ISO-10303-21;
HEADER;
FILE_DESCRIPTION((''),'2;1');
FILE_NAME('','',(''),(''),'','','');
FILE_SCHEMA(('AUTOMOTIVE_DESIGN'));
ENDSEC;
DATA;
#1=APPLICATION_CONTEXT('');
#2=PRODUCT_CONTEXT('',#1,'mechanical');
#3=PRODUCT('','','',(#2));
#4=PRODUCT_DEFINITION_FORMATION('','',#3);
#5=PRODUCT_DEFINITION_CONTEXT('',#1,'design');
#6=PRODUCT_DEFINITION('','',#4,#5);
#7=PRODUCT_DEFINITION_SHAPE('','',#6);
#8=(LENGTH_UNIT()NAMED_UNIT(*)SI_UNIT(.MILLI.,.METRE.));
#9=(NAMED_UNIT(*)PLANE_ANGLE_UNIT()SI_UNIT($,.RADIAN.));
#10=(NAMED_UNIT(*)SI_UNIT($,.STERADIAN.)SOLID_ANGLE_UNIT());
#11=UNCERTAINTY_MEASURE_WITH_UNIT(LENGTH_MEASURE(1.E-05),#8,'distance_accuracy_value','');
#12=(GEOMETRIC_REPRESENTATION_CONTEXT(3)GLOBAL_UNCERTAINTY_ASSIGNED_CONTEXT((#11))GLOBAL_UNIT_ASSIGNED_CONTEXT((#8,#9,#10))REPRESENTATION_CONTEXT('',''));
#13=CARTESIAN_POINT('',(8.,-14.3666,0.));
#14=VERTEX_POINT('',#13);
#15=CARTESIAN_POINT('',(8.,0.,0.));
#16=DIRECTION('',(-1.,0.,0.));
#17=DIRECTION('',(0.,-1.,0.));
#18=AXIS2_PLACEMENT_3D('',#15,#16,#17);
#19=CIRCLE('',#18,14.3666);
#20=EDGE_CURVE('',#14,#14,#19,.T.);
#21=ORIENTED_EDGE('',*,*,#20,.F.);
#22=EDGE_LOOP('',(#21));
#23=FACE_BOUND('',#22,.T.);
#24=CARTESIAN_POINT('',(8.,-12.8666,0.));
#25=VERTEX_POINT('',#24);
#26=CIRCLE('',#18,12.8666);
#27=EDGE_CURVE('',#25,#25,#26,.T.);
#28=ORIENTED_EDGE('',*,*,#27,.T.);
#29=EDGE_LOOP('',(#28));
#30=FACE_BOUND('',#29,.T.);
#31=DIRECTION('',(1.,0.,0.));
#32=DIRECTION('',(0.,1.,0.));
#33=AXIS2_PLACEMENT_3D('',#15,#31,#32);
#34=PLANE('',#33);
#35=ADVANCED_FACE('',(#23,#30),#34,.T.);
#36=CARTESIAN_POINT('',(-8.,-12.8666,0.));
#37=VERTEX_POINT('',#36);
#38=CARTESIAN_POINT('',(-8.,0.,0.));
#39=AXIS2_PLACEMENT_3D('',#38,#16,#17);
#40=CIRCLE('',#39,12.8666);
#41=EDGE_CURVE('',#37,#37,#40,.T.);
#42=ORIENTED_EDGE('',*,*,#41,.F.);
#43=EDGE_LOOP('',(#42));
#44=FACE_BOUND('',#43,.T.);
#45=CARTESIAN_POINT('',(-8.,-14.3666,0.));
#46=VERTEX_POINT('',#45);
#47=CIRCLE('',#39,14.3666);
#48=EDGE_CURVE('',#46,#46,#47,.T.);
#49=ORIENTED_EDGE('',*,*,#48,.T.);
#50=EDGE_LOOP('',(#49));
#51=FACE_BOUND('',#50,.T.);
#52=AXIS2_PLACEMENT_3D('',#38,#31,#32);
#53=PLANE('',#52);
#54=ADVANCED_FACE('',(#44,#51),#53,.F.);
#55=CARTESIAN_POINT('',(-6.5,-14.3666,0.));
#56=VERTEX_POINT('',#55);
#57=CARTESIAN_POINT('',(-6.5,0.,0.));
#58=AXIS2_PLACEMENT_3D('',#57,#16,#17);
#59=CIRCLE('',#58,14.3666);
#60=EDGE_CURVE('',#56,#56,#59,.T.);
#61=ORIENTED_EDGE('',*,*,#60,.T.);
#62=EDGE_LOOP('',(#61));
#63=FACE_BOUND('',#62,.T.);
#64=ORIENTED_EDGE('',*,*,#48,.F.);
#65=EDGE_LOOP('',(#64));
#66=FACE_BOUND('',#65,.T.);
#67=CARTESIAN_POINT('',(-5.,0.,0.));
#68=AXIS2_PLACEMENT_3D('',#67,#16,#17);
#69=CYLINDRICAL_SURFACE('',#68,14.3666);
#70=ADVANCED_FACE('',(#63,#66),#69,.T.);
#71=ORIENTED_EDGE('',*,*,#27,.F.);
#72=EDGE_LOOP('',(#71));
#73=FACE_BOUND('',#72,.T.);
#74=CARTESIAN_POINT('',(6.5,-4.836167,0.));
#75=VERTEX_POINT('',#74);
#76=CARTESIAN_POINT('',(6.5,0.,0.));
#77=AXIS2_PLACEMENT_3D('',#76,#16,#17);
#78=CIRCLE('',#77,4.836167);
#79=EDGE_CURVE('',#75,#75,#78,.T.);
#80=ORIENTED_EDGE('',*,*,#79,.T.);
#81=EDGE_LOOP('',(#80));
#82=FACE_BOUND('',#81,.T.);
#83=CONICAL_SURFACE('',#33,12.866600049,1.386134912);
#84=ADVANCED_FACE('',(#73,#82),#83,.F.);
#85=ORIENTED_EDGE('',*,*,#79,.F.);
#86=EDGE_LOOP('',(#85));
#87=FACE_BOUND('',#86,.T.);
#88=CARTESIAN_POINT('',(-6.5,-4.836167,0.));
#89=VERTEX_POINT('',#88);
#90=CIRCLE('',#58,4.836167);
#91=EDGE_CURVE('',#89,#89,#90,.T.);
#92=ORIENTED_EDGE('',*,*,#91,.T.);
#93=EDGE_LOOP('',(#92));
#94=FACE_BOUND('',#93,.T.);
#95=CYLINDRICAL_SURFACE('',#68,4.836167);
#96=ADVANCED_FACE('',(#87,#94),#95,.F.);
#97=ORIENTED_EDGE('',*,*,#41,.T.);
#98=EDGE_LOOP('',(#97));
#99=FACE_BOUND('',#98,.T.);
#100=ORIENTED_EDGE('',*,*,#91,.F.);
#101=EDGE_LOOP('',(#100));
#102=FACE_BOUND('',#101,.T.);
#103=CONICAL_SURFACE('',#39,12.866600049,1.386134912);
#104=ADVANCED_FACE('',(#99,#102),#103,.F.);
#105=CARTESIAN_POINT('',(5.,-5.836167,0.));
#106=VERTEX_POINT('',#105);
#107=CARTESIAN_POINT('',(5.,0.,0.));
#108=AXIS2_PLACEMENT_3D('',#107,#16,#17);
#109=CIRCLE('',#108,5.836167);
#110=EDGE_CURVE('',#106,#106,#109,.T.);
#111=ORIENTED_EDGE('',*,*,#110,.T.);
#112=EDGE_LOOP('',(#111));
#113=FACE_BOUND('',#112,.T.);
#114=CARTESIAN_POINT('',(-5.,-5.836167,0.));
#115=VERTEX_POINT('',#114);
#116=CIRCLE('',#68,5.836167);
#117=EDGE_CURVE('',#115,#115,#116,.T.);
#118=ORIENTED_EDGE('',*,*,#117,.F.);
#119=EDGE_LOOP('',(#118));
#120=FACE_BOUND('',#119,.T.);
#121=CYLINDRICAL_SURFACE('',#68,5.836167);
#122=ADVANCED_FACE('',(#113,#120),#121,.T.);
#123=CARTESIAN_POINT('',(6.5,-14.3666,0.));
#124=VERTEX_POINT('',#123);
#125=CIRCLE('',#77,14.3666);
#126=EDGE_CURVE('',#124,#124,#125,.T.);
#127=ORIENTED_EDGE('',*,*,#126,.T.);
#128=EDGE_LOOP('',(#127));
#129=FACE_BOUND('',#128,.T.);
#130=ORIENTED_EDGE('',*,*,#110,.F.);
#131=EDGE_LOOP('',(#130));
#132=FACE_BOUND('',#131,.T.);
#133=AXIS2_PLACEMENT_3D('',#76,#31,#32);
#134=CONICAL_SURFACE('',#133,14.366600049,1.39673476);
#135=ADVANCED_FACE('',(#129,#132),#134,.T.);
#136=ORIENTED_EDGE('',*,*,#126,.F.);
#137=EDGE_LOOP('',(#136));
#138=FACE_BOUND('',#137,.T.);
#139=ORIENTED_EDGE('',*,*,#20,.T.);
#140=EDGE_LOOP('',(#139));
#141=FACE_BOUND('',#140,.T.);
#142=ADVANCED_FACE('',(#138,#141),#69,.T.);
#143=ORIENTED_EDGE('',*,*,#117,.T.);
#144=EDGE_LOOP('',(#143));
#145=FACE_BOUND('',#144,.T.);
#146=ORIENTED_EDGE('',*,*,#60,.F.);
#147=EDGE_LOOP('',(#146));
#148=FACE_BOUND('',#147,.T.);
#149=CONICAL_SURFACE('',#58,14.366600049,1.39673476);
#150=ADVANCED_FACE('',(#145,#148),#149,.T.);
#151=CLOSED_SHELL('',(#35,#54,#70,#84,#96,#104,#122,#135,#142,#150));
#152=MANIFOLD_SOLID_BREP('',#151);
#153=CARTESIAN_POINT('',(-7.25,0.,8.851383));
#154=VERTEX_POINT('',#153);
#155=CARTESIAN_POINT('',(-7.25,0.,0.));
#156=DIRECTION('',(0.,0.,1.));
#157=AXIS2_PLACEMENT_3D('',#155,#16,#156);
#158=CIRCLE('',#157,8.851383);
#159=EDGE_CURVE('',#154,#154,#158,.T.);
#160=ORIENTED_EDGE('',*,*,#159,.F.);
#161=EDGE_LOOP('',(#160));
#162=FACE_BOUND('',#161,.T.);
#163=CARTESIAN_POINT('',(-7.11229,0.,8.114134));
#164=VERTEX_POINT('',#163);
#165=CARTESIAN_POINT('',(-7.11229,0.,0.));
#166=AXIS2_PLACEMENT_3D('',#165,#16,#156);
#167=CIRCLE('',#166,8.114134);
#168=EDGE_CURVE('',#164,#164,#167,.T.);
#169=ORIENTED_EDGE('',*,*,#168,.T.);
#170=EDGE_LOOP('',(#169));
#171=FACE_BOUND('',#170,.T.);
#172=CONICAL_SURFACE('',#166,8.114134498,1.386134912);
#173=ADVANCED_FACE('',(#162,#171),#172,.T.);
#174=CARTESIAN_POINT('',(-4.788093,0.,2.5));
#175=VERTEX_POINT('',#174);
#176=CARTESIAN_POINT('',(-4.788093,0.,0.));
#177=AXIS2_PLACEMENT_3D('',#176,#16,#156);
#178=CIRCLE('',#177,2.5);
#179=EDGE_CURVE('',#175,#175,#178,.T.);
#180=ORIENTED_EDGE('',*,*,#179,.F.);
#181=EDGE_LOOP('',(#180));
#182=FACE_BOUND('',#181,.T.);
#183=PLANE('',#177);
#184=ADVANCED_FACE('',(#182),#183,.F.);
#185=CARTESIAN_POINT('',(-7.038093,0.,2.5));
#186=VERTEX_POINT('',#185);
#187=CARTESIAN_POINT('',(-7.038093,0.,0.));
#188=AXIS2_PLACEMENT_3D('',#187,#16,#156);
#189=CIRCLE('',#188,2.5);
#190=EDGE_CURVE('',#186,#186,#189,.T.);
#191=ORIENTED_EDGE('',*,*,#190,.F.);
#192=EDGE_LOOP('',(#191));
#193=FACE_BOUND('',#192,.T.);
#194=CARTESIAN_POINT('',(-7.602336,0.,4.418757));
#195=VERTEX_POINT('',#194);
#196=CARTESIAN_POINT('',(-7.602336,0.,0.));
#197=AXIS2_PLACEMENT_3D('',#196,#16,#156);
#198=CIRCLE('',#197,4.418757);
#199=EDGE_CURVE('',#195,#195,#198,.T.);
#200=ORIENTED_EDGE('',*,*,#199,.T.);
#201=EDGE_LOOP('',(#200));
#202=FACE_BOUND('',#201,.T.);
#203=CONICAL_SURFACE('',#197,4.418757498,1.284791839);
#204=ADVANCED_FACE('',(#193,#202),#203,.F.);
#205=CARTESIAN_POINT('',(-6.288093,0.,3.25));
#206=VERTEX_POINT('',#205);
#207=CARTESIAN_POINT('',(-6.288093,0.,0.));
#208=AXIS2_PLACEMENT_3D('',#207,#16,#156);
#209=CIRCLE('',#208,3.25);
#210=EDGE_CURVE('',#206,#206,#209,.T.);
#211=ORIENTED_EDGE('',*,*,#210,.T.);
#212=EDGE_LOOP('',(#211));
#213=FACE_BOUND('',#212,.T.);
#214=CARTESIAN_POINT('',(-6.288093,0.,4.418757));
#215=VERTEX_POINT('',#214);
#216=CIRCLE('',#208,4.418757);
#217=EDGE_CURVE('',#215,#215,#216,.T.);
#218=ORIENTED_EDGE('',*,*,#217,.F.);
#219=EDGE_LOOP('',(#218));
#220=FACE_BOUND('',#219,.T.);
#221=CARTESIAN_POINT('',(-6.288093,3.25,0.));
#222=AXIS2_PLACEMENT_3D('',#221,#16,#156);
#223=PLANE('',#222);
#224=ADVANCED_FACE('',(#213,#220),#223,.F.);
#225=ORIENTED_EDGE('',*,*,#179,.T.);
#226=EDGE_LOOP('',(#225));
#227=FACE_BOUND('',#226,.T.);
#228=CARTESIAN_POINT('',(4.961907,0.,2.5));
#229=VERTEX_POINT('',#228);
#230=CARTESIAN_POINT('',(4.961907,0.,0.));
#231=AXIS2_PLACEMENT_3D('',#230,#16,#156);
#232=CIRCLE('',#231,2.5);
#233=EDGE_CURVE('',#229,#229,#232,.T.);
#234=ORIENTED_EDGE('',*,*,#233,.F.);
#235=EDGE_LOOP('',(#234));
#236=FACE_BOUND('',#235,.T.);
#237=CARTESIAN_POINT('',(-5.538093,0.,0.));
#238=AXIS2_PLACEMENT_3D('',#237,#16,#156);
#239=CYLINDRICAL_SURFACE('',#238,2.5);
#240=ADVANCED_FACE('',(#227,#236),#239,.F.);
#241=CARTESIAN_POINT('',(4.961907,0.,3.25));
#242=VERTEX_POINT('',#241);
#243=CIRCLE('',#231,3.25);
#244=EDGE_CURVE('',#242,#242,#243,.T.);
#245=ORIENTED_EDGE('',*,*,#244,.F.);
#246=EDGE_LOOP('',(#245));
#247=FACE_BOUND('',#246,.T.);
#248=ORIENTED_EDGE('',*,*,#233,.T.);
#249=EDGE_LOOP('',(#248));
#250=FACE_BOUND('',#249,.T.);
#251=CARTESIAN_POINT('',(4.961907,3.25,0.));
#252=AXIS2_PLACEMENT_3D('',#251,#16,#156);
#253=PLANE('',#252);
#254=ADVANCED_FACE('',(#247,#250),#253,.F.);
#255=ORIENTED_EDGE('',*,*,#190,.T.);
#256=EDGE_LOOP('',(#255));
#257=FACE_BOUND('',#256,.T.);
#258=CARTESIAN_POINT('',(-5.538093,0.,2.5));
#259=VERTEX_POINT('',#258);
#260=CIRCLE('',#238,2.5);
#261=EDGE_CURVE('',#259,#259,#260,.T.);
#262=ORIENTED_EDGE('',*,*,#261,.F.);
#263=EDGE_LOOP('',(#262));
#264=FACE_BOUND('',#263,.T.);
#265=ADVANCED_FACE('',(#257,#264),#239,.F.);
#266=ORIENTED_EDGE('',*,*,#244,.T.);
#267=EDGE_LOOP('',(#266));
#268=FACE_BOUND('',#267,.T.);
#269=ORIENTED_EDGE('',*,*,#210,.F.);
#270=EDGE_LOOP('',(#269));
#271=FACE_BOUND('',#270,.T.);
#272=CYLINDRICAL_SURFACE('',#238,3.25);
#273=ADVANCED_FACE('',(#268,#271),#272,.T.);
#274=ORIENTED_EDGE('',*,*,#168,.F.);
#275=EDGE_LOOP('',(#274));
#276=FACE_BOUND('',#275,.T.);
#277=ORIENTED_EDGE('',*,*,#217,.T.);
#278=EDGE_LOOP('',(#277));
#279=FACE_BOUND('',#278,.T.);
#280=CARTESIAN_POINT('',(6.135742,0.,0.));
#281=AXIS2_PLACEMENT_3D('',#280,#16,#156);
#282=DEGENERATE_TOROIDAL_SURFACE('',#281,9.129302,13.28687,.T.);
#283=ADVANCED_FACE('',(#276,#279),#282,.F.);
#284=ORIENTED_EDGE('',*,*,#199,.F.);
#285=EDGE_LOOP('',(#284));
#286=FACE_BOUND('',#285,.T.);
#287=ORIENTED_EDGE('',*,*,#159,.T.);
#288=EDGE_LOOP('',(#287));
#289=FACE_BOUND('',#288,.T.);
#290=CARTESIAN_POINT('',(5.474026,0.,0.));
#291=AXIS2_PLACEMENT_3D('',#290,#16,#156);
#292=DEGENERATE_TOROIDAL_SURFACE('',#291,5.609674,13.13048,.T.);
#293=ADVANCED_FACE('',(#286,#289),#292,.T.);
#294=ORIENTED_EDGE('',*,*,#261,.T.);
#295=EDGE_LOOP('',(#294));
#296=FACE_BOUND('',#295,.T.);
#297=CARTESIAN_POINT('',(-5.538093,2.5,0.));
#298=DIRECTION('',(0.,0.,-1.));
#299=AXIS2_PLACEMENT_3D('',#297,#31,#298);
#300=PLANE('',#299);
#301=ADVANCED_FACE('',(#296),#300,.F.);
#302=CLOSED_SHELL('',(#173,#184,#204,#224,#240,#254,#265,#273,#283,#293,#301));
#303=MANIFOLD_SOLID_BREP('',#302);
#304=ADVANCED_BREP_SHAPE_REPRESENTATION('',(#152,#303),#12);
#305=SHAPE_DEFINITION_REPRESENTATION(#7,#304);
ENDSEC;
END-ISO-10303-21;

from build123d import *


with BuildPart() as part:
    # Sketch1 → Revolve1 (revolve)
    with BuildSketch(Plane.XY, mode=Mode.PRIVATE) as revolve1_sk:
        Polygon((-6.5, 14.366600049), (-8, 14.366600049), (-8, 12.866600049), (-6.5, 4.836166661), (0, 4.836166661), (0, 5.836166661), (-5, 5.836166661), align=None)
        Polygon((5, 5.836166661), (0, 5.836166661), (0, 4.836166661), (6.5, 4.836166661), (8, 12.866600049), (8, 14.366600049), (6.5, 14.366600049), align=None)
    revolve(revolve1_sk.sketch.rotate(Axis((-5, 0, 0), (1, 0, 0)), 180), axis=Axis((-5, 0, 0), (1, 0, 0)))


with BuildPart() as body_2:
    # Sketch2 → Revolve2 (revolve)
    with BuildSketch(Plane.XY, mode=Mode.PRIVATE) as revolve2_sk:
        with BuildLine():
            Line((-7.25, 8.851383355), (-7.112289713, 8.114134498))
            ThreePointArc((-7.112289713, 8.114134498), (-6.832493775, 6.236938002), (-6.288093085, 4.418757498))
            Line((-6.288093085, 4.418757498), (-6.288093085, 3.25))
            Line((-6.288093085, 3.25), (4.961906915, 3.25))
            Line((4.961906915, 3.25), (4.961906915, 2.5))
            Line((4.961906915, 2.5), (-4.788093085, 2.5))
            Line((-4.788093085, 2.5), (-4.788093085, 0))
            Line((-4.788093085, 0), (-5.538093085, 0))
            Line((-5.538093085, 0), (-5.538093085, 2.5))
            Line((-5.538093085, 2.5), (-7.038093085, 2.5))
            Line((-7.038093085, 2.5), (-7.602335642, 4.418757498))
            ThreePointArc((-7.602335642, 4.418757498), (-7.615169689, 6.650093597), (-7.25, 8.851383355))
        make_face()
    revolve(revolve2_sk.sketch.rotate(Axis((-5.538093085, 0, 0), (1, 0, 0)), 90), axis=Axis((-5.538093085, 0, 0), (1, 0, 0)))


solid = Compound([part.part, body_2.part])
